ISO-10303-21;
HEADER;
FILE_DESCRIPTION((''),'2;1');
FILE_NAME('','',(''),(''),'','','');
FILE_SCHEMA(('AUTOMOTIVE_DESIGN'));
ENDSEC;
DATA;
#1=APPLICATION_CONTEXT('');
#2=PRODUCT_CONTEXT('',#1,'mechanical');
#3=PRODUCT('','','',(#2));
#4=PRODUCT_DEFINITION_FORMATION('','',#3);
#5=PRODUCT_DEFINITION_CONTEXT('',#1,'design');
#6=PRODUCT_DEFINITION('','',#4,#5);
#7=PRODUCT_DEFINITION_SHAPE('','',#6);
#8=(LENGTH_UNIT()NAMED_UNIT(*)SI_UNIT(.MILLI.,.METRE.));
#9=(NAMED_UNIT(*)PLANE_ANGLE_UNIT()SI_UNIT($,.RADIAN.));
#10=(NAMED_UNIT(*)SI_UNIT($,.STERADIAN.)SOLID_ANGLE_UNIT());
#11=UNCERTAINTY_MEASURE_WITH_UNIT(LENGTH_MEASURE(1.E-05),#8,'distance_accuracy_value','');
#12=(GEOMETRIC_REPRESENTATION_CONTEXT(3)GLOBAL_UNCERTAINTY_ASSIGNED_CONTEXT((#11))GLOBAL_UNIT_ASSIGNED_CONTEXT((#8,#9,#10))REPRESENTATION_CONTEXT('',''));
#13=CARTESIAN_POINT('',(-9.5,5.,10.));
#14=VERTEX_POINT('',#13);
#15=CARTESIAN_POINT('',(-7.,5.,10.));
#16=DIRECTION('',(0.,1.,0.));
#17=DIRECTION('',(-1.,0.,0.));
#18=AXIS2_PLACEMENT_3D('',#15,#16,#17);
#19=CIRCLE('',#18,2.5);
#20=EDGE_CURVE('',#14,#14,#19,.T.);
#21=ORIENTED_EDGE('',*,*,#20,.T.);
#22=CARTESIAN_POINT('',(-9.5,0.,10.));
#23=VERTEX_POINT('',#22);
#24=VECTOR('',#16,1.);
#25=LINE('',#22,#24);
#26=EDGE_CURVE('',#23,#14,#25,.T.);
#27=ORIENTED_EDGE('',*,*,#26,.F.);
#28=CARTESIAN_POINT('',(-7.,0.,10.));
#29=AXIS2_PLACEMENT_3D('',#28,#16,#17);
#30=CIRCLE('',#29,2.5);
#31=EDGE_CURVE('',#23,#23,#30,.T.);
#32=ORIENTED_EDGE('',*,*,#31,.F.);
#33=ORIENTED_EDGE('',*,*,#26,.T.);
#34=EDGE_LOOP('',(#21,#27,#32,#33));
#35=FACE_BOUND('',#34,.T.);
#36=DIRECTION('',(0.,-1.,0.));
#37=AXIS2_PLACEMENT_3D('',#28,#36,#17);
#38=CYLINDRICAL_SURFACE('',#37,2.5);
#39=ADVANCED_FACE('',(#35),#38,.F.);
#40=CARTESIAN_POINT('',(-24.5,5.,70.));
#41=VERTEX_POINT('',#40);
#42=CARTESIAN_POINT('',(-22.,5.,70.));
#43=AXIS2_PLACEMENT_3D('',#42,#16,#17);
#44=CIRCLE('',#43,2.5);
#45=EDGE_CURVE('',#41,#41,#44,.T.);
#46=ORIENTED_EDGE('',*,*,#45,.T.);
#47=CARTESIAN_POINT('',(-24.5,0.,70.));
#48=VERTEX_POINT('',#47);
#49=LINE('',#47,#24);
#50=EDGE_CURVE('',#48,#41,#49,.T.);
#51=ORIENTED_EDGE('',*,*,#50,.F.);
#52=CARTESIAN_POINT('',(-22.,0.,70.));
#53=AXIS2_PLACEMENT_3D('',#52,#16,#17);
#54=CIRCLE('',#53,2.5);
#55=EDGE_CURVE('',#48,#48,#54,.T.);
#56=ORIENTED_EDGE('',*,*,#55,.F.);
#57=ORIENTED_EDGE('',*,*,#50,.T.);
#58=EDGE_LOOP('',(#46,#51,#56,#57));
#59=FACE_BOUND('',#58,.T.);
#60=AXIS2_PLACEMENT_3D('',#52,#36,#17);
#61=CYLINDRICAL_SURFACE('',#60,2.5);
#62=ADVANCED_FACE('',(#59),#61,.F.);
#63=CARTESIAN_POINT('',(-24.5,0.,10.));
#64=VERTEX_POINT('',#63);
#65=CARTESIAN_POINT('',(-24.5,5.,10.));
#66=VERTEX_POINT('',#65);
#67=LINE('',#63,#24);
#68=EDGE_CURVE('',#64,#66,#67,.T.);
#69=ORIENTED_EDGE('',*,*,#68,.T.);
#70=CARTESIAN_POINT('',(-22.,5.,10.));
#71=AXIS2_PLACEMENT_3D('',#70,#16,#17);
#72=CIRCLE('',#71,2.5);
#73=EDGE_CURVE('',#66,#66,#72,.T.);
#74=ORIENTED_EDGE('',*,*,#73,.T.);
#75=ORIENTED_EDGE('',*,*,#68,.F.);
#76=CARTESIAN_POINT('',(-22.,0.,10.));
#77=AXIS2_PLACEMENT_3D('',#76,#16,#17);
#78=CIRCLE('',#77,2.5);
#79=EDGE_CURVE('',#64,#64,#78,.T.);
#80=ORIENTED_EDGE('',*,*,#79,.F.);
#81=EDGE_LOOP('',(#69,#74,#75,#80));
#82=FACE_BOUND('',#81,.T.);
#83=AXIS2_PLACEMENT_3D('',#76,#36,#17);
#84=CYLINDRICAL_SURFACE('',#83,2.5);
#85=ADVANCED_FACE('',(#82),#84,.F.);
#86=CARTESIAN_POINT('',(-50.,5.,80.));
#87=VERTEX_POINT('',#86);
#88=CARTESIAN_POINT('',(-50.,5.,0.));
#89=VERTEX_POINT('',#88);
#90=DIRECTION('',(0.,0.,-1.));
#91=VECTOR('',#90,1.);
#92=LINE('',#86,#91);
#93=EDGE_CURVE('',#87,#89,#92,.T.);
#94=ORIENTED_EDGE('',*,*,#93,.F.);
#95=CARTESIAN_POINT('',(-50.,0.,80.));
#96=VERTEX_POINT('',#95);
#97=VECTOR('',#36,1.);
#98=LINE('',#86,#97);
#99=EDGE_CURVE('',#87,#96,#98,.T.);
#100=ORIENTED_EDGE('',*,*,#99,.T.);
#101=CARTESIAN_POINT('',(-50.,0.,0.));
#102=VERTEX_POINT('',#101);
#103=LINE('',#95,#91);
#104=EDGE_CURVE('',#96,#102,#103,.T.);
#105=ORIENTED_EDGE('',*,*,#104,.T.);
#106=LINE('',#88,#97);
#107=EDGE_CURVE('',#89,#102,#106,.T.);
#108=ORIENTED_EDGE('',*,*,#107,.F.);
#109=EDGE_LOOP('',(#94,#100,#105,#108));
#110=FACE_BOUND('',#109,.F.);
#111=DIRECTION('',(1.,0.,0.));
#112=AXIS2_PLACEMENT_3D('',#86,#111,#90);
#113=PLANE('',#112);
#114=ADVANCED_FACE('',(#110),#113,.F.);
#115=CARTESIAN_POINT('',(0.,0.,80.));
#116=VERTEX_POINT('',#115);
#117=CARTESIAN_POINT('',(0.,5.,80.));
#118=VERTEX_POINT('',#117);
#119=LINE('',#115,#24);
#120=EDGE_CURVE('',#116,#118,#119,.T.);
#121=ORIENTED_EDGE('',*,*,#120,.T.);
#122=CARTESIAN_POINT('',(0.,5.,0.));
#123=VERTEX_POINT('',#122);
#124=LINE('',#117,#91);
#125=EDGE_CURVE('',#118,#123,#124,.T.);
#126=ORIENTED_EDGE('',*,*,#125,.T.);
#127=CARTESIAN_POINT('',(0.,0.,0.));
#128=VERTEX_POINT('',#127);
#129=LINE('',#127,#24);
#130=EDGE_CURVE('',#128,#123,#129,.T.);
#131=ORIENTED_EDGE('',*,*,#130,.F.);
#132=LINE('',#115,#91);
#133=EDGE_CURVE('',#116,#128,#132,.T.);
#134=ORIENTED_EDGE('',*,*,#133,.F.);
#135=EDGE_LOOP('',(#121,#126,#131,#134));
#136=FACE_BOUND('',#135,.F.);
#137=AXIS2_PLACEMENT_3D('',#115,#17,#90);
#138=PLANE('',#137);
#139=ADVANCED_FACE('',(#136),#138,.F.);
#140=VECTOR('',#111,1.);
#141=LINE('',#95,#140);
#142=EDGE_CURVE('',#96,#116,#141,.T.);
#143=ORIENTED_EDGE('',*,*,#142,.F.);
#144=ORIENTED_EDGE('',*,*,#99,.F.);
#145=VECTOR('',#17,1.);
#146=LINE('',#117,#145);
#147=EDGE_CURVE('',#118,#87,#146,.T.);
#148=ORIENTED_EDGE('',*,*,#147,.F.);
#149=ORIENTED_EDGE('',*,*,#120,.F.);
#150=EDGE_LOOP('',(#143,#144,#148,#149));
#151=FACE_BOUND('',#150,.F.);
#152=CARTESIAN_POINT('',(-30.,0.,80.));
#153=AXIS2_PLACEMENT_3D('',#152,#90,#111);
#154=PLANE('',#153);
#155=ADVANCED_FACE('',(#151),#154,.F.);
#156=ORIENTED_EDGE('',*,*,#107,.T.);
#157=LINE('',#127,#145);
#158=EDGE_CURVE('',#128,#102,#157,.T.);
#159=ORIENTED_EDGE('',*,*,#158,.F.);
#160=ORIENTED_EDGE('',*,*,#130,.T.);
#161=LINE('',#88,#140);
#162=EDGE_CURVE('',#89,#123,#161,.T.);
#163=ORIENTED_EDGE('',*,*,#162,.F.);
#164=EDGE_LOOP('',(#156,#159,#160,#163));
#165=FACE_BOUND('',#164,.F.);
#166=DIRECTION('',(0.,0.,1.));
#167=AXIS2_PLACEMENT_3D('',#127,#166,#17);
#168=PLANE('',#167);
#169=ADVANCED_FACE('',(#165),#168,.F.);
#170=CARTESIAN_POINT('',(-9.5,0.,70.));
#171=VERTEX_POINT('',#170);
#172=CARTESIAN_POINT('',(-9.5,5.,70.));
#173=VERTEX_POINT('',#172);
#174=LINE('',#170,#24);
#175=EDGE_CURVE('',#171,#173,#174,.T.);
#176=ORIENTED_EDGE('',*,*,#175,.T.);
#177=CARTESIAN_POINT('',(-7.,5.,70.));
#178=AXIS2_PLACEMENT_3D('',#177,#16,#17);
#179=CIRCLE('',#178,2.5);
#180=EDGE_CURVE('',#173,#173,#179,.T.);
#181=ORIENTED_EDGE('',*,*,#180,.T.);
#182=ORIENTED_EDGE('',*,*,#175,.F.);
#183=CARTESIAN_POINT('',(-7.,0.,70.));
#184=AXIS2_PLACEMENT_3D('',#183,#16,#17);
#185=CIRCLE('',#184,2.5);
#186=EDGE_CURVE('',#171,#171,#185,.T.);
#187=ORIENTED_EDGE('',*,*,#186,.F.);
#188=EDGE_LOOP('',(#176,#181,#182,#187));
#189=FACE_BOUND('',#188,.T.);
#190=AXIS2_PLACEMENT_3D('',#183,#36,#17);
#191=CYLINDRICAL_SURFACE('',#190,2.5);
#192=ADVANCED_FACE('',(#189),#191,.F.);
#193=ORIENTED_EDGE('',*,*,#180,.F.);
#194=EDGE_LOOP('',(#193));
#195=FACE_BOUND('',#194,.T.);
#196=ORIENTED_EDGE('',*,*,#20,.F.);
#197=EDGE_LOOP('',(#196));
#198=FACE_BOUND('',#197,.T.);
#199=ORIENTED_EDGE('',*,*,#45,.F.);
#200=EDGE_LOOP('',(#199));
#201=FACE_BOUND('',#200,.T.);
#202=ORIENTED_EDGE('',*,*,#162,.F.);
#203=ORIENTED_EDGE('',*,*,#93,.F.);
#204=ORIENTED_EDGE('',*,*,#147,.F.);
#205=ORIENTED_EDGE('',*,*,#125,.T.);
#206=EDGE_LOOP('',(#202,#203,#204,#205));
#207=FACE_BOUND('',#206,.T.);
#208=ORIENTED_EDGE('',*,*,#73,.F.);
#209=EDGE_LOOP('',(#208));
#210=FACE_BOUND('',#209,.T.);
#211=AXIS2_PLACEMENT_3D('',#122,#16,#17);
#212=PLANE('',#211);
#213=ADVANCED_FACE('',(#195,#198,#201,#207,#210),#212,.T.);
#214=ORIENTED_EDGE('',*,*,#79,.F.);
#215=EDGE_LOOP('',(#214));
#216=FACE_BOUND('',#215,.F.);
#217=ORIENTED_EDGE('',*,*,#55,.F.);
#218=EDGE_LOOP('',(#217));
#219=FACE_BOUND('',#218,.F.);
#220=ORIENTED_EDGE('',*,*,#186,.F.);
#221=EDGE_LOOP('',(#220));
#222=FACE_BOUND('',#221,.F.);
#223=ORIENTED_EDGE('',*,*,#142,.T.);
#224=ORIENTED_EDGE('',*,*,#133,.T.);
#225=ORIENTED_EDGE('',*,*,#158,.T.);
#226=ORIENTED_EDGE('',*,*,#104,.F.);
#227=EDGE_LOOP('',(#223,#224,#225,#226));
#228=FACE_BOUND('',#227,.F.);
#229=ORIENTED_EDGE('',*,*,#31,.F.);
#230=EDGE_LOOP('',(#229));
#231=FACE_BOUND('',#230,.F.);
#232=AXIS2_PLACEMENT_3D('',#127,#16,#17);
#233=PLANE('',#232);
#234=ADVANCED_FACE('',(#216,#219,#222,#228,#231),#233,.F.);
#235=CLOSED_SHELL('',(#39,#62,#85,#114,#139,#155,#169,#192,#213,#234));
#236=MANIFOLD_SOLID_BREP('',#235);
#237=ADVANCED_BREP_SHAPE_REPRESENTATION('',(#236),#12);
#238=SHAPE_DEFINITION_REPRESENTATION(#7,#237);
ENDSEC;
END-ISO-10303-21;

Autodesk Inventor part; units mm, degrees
ref_plane "YZ Plane" through (0, 0, 0) normal (1, 0, 0) x (0, 1, 0)
ref_plane "XZ Plane" through (0, 0, 0) normal (0, 1, 0) x (-1, 0, 0)
ref_plane "XY Plane" through (0, 0, 0) normal (0, 0, 1) x (1, 0, 0)
sketch "Block1" plane through (0, 0, 0) normal (0, 0, 1) x (1, 0, 0)
  line L0 (-30.1, 34.1) -> (-9.9, 34.1)
  line L1 (-9.9, 34.1) -> (-9.9, 25.1)
  line L2 (-9.9, 25.1) -> (9.9, 25.1)
  line L3 (9.9, 25.1) -> (9.9, 34.1)
  line L4 (9.9, 34.1) -> (30.1, 34.1)
  line L5 (30.1, 34.1) -> (30.1, 25.1)
  line L6 (30.1, 25.1) -> (50.1, 25.1)
  line L7 (50.1, 25.1) -> (50.1, 16.5667)
  line L8 (50.1, 16.5667) -> (41.1, 16.5667)
  line L9 (41.1, 16.5667) -> (41.1, 6.7667)
  line L10 (41.1, 6.7667) -> (50.1, 6.7667)
  line L11 (50.1, 6.7667) -> (50.1, -6.7667)
  line L12 (50.1, -6.7667) -> (41.1, -6.7667)
  line L13 (41.1, -6.7667) -> (41.1, -16.5667)
  line L14 (41.1, -16.5667) -> (50.1, -16.5667)
  line L15 (50.1, -16.5667) -> (50.1, -25.1)
  line L16 (50.1, -25.1) -> (30.1, -25.1)
  line L17 (30.1, -25.1) -> (30.1, -34.1)
  line L18 (30.1, -34.1) -> (9.9, -34.1)
  line L19 (9.9, -34.1) -> (9.9, -25.1)
  line L20 (9.9, -25.1) -> (-9.9, -25.1)
  line L21 (-9.9, -25.1) -> (-9.9, -34.1)
  line L22 (-9.9, -34.1) -> (-30.1, -34.1)
  line L23 (-30.1, -34.1) -> (-30.1, -25.1)
  line L24 (-30.1, -25.1) -> (-50.1, -25.1)
  line L25 (-50.1, -25.1) -> (-50.1, -16.5667)
  line L26 (-50.1, -16.5667) -> (-41.1, -16.5667)
  line L27 (-41.1, -16.5667) -> (-41.1, -6.7667)
  line L28 (-41.1, -6.7667) -> (-50.1, -6.7667)
  line L29 (-50.1, -6.7667) -> (-50.1, 6.7667)
  line L30 (-50.1, 6.7667) -> (-41.1, 6.7667)
  line L31 (-41.1, 6.7667) -> (-41.1, 16.5667)
  line L32 (-41.1, 16.5667) -> (-50.1, 16.5667)
  line L33 (-50.1, 16.5667) -> (-50.1, 25.1)
  line L34 (-50.1, 25.1) -> (-30.1, 25.1)
  line L35 (-30.1, 25.1) -> (-30.1, 34.1)
  circle A0 centre (-30, 0) radius 4.6
  circle A1 centre (-15.5, 15.5) radius 2.1
  circle A2 centre (-15.5, -15.5) radius 2.1
  circle A3 centre (0, 0) radius 11.1
  circle A4 centre (15.5, 15.5) radius 2.1
  circle A5 centre (30, 0) radius 4.6
  circle A6 centre (15.5, -15.5) radius 2.1
  point P0 (0, 0)
sketch "Block2" plane through (0, 0, 0) normal (0, 0, 1) x (1, 0, 0)
  line L0 (9.8, 34.2) -> (30.2, 34.2)
  line L1 (30.2, 34.2) -> (30.2, 25.2)
  line L2 (30.2, 25.2) -> (50.2, 25.2)
  line L3 (50.2, 25.2) -> (50.2, 16.4667)
  line L4 (50.2, 16.4667) -> (41.2, 16.4667)
  line L5 (41.2, 16.4667) -> (41.2, 6.8667)
  line L6 (41.2, 6.8667) -> (50.2, 6.8667)
  line L7 (50.2, 6.8667) -> (50.2, -6.8667)
  line L8 (50.2, -6.8667) -> (41.2, -6.8667)
  line L9 (41.2, -6.8667) -> (41.2, -16.4667)
  line L10 (41.2, -16.4667) -> (50.2, -16.4667)
  line L11 (50.2, -16.4667) -> (50.2, -25.2)
  line L12 (50.2, -25.2) -> (30.2, -25.2)
  line L13 (30.2, -25.2) -> (30.2, -34.2)
  line L14 (30.2, -34.2) -> (9.8, -34.2)
  line L15 (9.8, -34.2) -> (9.8, -25.2)
  line L16 (9.8, -25.2) -> (-9.8, -25.2)
  line L17 (-9.8, -25.2) -> (-9.8, -34.2)
  line L18 (-9.8, -34.2) -> (-30.2, -34.2)
  line L19 (-30.2, -34.2) -> (-30.2, -25.2)
  line L20 (-30.2, -25.2) -> (-50.2, -25.2)
  line L21 (-50.2, -25.2) -> (-50.2, -16.4667)
  line L22 (-50.2, -16.4667) -> (-41.2, -16.4667)
  line L23 (-41.2, -16.4667) -> (-41.2, -6.8667)
  line L24 (-41.2, -6.8667) -> (-50.2, -6.8667)
  line L25 (-50.2, -6.8667) -> (-50.2, 6.8667)
  line L26 (-50.2, 6.8667) -> (-41.2, 6.8667)
  line L27 (-41.2, 6.8667) -> (-41.2, 16.4667)
  line L28 (-41.2, 16.4667) -> (-50.2, 16.4667)
  line L29 (-50.2, 16.4667) -> (-50.2, 25.2)
  line L30 (-50.2, 25.2) -> (-30.2, 25.2)
  line L31 (-30.2, 25.2) -> (-30.2, 34.2)
  line L32 (-30.2, 34.2) -> (-9.8, 34.2)
  line L33 (-9.8, 34.2) -> (-9.8, 25.2)
  line L34 (-9.8, 25.2) -> (9.8, 25.2)
  line L35 (9.8, 25.2) -> (9.8, 34.2)
  circle A0 centre (-15.5, 15.5) radius 2.2
  circle A1 centre (15.5, 15.5) radius 2.2
  circle A2 centre (30, 0) radius 4.7
  circle A3 centre (15.5, -15.5) radius 2.2
  circle A4 centre (-15.5, -15.5) radius 2.2
  circle A5 centre (-30, 0) radius 4.7
  circle A6 centre (0, 0) radius 11.2
  point P0 (0, 0)
sketch "Block3" plane through (0, 0, 0) normal (0, 0, 1) x (1, 0, 0)
  line L0 (9.9, 34.1) -> (30.1, 34.1)
  line L1 (30.1, 34.1) -> (30.1, 25.1)
  line L2 (30.1, 25.1) -> (50.1, 25.1)
  line L3 (50.1, 25.1) -> (50.1, 16.5667)
  line L4 (50.1, 16.5667) -> (41.1, 16.5667)
  line L5 (41.1, 16.5667) -> (41.1, 6.7667)
  line L6 (41.1, 6.7667) -> (50.1, 6.7667)
  line L7 (50.1, 6.7667) -> (50.1, -6.7667)
  line L8 (50.1, -6.7667) -> (41.1, -6.7667)
  line L9 (41.1, -6.7667) -> (41.1, -16.5667)
  line L10 (41.1, -16.5667) -> (50.1, -16.5667)
  line L11 (50.1, -16.5667) -> (50.1, -25.1)
  line L12 (50.1, -25.1) -> (30.1, -25.1)
  line L13 (30.1, -25.1) -> (30.1, -34.1)
  line L14 (30.1, -34.1) -> (9.9, -34.1)
  line L15 (9.9, -34.1) -> (9.9, -25.1)
  line L16 (9.9, -25.1) -> (-9.9, -25.1)
  line L17 (-9.9, -25.1) -> (-9.9, -34.1)
  line L18 (-9.9, -34.1) -> (-30.1, -34.1)
  line L19 (-30.1, -34.1) -> (-30.1, -25.1)
  line L20 (-30.1, -25.1) -> (-50.1, -25.1)
  line L21 (-50.1, -25.1) -> (-50.1, -16.5667)
  line L22 (-50.1, -16.5667) -> (-41.1, -16.5667)
  line L23 (-41.1, -16.5667) -> (-41.1, -6.7667)
  line L24 (-41.1, -6.7667) -> (-50.1, -6.7667)
  line L25 (-50.1, -6.7667) -> (-50.1, 6.7667)
  line L26 (-50.1, 6.7667) -> (-41.1, 6.7667)
  line L27 (-41.1, 6.7667) -> (-41.1, 16.5667)
  line L28 (-41.1, 16.5667) -> (-50.1, 16.5667)
  line L29 (-50.1, 16.5667) -> (-50.1, 25.1)
  line L30 (-50.1, 25.1) -> (-30.1, 25.1)
  line L31 (-30.1, 25.1) -> (-30.1, 34.1)
  line L32 (-30.1, 34.1) -> (-9.9, 34.1)
  line L33 (-9.9, 34.1) -> (-9.9, 25.1)
  line L34 (-9.9, 25.1) -> (9.9, 25.1)
  line L35 (9.9, 25.1) -> (9.9, 34.1)
  circle A0 centre (-15.5, 15.5) radius 2.1
  circle A1 centre (15.5, 15.5) radius 2.1
  circle A2 centre (30, 0) radius 4.6
  circle A3 centre (15.5, -15.5) radius 2.1
  circle A4 centre (-15.5, -15.5) radius 2.1
  circle A5 centre (-30, 0) radius 4.6
  circle A6 centre (0, 0) radius 11.1
  point P0 (0, 0)
sketch "Block4" plane through (0, 0, 0) normal (0, 0, 1) x (1, 0, 0)
  line L0 (-30.08, 30.58) -> (-9.92, 30.58)
  line L1 (-9.92, 30.58) -> (-9.92, 25.08)
  line L2 (-9.92, 25.08) -> (9.92, 25.08)
  line L3 (9.92, 25.08) -> (9.92, 30.58)
  line L4 (9.92, 30.58) -> (30.08, 30.58)
  line L5 (30.08, 30.58) -> (30.08, 25.08)
  line L6 (30.08, 25.08) -> (50.08, 25.08)
  line L7 (50.08, 25.08) -> (50.08, 16.5867)
  line L8 (50.08, 16.5867) -> (44.58, 16.5867)
  line L9 (44.58, 16.5867) -> (44.58, 6.7467)
  line L10 (44.58, 6.7467) -> (50.08, 6.7467)
  line L11 (50.08, 6.7467) -> (50.08, -6.7467)
  line L12 (50.08, -6.7467) -> (44.58, -6.7467)
  line L13 (44.58, -6.7467) -> (44.58, -16.5867)
  line L14 (44.58, -16.5867) -> (50.08, -16.5867)
  line L15 (50.08, -16.5867) -> (50.08, -25.08)
  line L16 (50.08, -25.08) -> (30.08, -25.08)
  line L17 (30.08, -25.08) -> (30.08, -30.58)
  line L18 (30.08, -30.58) -> (9.92, -30.58)
  line L19 (9.92, -30.58) -> (9.92, -25.08)
  line L20 (9.92, -25.08) -> (-9.92, -25.08)
  line L21 (-9.92, -25.08) -> (-9.92, -30.58)
  line L22 (-9.92, -30.58) -> (-30.08, -30.58)
  line L23 (-30.08, -30.58) -> (-30.08, -25.08)
  line L24 (-30.08, -25.08) -> (-50.08, -25.08)
  line L25 (-50.08, -25.08) -> (-50.08, -16.5867)
  line L26 (-50.08, -16.5867) -> (-44.58, -16.5867)
  line L27 (-44.58, -16.5867) -> (-44.58, -6.7467)
  line L28 (-44.58, -6.7467) -> (-50.08, -6.7467)
  line L29 (-50.08, -6.7467) -> (-50.08, 6.7467)
  line L30 (-50.08, 6.7467) -> (-44.58, 6.7467)
  line L31 (-44.58, 6.7467) -> (-44.58, 16.5867)
  line L32 (-44.58, 16.5867) -> (-50.08, 16.5867)
  line L33 (-50.08, 16.5867) -> (-50.08, 25.08)
  line L34 (-50.08, 25.08) -> (-30.08, 25.08)
  line L35 (-30.08, 25.08) -> (-30.08, 30.58)
  circle A0 centre (-30, 0) radius 4.88
  circle A1 centre (30, 0) radius 4.88
  circle A2 centre (15.5, 15.5) radius 2.08
  circle A3 centre (0, 0) radius 11.08
  circle A4 centre (-15.5, 15.5) radius 2.08
  circle A5 centre (-15.5, -15.5) radius 2.08
  circle A6 centre (15.5, -15.5) radius 2.08
  point P0 (0, 0)
sketch "Sketch45" plane through (0, 0, 0) normal (0, 1, 0) x (-1, 0, 0)
  line L0 (0, 0) -> (30, 0)
  line L1 (30, 0) -> (30, 80)
  line L2 (30, 80) -> (0, 80)
  line L3 (0, 80) -> (0, 0)
  circle A0 centre (22, 70) radius 2.5
  circle A1 centre (7, 70) radius 2.5
  circle A2 centre (22, 10) radius 2.5
  circle A3 centre (7, 10) radius 2.5
  dimension "d197" = 5
  dimension "d199" = 5
  dimension "d200" = 5
  dimension "d201" = 60
  dimension "d202" = 80
  dimension "d203" = 10
  dimension "d204" = 10
  dimension "d205" = 15
  dimension "d206" = 30
  dimension "d207" = 8
  dimension "d210" = 5
extrude "Extrusion12" add sketch "Sketch45" along normal blind 5
sketch "Sketch46" plane through (0, 5, 0) normal (0, 1, 0) x (1, 0, 0)
  circle A0 centre (-7, -10) radius 2.5 projected
  circle A1 centre (-22, -10) radius 2.5 projected
  circle A2 centre (-7, -70) radius 2.5 projected
  circle A3 centre (-22, -70) radius 2.5 projected
  line L0 (0, 0) -> (-30, 0) projected
  line L1 (-30, 0) -> (-30, -80) projected
  line L2 (-30, -80) -> (0, -80) projected
  line L3 (0, -80) -> (0, 0) projected
  line L4 (-30, 0) -> (-30, -80) projected
  line L5 (-30, -80) -> (-50, -80)
  line L6 (-50, -80) -> (-50, 0)
  line L7 (-50, 0) -> (-30, 0)
  line L8 (-30, 0) -> (-30, -80)
  dimension "d213" = 20
extrude "Extrusion13" add sketch "Sketch46" against normal blind 5 contours L1 L5 L6 L7
properties part number "holder_plate" material "Wood (Birch)"
